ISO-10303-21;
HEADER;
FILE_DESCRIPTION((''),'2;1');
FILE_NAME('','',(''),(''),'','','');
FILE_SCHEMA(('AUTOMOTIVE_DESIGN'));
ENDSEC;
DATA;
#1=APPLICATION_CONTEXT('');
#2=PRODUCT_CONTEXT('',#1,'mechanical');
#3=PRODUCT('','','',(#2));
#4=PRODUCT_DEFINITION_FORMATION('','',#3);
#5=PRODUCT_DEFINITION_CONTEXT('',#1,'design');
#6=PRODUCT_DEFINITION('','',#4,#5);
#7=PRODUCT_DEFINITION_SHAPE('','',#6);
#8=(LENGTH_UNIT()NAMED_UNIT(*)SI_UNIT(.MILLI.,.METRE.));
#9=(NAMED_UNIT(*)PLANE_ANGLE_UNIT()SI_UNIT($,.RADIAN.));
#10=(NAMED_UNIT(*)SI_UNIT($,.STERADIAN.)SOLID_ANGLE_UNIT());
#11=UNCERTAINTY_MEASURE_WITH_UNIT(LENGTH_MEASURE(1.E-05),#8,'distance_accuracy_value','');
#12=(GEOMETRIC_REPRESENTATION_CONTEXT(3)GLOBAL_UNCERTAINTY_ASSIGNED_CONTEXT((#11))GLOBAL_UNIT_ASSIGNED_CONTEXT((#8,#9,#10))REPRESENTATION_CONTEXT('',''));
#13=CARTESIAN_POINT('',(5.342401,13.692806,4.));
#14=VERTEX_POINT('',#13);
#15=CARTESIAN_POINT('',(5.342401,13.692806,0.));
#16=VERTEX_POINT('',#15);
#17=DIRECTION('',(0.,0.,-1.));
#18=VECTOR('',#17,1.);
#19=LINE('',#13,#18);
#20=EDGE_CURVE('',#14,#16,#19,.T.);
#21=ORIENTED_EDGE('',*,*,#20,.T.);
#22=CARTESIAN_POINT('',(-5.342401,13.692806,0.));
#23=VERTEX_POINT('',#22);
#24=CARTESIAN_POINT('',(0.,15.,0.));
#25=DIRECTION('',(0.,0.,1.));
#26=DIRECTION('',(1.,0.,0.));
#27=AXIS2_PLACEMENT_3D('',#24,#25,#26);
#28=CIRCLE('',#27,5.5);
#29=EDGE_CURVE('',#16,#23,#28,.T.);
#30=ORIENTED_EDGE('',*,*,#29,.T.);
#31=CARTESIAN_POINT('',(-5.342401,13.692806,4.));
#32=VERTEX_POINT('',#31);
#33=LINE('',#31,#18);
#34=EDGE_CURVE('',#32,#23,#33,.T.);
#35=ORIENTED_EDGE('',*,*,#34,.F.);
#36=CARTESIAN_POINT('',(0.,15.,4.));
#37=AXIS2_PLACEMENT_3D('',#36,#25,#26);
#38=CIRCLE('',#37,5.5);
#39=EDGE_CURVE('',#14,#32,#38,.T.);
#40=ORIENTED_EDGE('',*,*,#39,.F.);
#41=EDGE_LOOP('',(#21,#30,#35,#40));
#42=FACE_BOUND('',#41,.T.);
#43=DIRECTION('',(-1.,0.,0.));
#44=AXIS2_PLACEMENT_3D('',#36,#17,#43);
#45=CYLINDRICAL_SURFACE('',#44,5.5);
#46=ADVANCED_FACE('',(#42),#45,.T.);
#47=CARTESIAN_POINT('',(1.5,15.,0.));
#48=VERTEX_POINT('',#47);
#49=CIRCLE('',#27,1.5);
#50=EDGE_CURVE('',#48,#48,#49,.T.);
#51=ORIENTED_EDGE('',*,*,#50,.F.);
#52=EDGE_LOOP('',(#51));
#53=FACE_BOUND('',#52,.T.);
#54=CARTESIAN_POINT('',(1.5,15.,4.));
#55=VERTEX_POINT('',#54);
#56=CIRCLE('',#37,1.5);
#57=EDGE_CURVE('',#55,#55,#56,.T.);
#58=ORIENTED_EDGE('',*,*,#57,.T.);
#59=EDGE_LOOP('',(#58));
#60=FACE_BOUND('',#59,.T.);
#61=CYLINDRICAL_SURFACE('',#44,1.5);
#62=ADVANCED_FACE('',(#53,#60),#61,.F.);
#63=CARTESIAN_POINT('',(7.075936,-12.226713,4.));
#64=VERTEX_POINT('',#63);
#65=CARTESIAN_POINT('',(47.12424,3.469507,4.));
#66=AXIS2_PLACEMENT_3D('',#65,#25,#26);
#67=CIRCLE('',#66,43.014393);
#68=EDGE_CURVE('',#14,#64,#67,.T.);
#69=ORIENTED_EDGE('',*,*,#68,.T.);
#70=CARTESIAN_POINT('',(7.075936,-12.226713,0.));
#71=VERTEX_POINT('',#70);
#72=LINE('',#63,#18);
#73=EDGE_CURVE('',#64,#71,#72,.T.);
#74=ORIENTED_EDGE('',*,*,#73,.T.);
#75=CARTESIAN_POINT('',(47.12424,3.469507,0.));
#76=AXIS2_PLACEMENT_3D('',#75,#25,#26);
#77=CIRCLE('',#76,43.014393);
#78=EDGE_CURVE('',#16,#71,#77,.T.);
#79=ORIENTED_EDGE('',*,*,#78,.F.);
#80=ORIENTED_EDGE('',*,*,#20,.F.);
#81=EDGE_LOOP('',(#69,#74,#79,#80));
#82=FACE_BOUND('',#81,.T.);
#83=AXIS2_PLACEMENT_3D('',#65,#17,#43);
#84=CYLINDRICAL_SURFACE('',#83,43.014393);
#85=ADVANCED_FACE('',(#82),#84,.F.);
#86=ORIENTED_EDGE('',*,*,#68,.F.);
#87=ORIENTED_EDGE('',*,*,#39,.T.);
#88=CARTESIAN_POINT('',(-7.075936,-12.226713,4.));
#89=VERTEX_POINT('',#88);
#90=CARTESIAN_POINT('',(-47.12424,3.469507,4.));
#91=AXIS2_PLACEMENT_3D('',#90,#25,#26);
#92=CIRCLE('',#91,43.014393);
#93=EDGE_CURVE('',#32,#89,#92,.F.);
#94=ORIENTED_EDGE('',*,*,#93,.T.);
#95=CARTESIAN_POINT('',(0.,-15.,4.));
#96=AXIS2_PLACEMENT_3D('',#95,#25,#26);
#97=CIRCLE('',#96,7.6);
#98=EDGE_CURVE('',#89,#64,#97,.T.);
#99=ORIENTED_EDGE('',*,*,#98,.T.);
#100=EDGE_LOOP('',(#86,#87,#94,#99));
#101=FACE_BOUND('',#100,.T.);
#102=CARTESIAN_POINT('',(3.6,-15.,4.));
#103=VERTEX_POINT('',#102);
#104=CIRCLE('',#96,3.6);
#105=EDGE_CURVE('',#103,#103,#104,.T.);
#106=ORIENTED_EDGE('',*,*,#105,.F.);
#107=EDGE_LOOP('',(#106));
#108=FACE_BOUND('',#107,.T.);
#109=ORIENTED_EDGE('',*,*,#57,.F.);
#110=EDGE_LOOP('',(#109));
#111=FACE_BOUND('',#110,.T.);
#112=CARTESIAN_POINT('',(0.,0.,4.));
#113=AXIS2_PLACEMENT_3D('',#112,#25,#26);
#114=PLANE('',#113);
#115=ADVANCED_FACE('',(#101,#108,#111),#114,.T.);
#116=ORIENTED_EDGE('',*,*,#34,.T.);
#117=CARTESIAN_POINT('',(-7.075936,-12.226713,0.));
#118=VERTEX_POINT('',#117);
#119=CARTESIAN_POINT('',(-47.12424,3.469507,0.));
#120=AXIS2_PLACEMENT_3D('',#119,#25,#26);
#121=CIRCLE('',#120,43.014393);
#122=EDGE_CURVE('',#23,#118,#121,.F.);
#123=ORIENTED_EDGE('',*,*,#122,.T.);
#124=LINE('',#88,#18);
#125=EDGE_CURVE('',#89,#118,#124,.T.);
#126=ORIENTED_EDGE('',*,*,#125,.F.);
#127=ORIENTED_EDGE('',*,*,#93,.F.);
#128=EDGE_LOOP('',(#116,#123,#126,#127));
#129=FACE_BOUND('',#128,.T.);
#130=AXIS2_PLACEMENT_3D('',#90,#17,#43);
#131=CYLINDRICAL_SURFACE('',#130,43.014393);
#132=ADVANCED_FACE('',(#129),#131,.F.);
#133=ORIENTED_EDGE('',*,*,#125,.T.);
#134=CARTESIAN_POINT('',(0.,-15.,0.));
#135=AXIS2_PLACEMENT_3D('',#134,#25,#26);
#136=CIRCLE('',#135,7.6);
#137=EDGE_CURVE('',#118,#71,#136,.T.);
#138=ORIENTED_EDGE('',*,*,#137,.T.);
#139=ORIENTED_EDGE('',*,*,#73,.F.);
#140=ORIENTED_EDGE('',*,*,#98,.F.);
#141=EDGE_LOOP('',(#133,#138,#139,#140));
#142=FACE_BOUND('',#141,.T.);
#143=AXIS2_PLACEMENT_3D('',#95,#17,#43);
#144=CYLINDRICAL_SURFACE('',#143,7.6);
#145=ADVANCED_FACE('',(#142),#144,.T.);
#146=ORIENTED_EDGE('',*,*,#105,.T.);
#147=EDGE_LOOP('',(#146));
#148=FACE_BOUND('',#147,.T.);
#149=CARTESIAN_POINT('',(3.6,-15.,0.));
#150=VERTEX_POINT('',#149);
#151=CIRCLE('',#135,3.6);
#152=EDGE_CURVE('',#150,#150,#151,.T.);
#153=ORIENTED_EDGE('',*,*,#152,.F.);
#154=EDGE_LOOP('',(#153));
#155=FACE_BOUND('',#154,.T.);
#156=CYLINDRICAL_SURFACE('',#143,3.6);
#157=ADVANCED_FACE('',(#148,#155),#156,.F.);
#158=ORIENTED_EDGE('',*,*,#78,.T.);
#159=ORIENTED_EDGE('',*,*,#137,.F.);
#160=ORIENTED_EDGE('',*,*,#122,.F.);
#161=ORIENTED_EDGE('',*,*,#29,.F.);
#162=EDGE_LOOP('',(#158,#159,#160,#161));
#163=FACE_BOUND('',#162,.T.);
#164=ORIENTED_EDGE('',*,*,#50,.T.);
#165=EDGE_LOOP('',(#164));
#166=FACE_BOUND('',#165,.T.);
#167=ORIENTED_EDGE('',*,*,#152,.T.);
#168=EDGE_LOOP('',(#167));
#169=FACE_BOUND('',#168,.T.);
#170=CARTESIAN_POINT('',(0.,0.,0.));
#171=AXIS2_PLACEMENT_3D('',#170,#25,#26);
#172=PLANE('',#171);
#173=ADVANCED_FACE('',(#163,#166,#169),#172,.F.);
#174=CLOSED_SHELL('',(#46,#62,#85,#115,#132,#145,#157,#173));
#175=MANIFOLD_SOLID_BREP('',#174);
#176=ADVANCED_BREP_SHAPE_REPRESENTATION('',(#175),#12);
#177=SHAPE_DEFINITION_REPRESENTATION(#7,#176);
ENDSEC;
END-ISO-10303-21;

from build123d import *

# Parameters (mm, degrees)
SKETCH1_R           = 1.5
SKETCH1_R_2         = 3.6
BOSS_EXTRUDE1_DEPTH = 4


with BuildPart() as part:
    # Sketch1 → Boss-Extrude1 (new body)
    with BuildSketch(Plane.XY):
        with BuildLine():
            ThreePointArc((5.342400641, 13.692806292), (4.205730773, 0.599053953), (7.075936479, -12.22671261))
            ThreePointArc((7.075936479, -12.22671261), (0, -22.6), (-7.075936479, -12.22671261))
            ThreePointArc((-7.075936479, -12.22671261), (-4.205730773, 0.599053953), (-5.342400641, 13.692806292))
            ThreePointArc((-5.342400641, 13.692806292), (0, 20.5), (5.342400641, 13.692806292))
        make_face()
        with Locations((0, 15)):
            Circle(SKETCH1_R, mode=Mode.SUBTRACT)
        with Locations((0, -15)):
            Circle(SKETCH1_R_2, mode=Mode.SUBTRACT)
    extrude(amount=BOSS_EXTRUDE1_DEPTH)


solid = part.part
